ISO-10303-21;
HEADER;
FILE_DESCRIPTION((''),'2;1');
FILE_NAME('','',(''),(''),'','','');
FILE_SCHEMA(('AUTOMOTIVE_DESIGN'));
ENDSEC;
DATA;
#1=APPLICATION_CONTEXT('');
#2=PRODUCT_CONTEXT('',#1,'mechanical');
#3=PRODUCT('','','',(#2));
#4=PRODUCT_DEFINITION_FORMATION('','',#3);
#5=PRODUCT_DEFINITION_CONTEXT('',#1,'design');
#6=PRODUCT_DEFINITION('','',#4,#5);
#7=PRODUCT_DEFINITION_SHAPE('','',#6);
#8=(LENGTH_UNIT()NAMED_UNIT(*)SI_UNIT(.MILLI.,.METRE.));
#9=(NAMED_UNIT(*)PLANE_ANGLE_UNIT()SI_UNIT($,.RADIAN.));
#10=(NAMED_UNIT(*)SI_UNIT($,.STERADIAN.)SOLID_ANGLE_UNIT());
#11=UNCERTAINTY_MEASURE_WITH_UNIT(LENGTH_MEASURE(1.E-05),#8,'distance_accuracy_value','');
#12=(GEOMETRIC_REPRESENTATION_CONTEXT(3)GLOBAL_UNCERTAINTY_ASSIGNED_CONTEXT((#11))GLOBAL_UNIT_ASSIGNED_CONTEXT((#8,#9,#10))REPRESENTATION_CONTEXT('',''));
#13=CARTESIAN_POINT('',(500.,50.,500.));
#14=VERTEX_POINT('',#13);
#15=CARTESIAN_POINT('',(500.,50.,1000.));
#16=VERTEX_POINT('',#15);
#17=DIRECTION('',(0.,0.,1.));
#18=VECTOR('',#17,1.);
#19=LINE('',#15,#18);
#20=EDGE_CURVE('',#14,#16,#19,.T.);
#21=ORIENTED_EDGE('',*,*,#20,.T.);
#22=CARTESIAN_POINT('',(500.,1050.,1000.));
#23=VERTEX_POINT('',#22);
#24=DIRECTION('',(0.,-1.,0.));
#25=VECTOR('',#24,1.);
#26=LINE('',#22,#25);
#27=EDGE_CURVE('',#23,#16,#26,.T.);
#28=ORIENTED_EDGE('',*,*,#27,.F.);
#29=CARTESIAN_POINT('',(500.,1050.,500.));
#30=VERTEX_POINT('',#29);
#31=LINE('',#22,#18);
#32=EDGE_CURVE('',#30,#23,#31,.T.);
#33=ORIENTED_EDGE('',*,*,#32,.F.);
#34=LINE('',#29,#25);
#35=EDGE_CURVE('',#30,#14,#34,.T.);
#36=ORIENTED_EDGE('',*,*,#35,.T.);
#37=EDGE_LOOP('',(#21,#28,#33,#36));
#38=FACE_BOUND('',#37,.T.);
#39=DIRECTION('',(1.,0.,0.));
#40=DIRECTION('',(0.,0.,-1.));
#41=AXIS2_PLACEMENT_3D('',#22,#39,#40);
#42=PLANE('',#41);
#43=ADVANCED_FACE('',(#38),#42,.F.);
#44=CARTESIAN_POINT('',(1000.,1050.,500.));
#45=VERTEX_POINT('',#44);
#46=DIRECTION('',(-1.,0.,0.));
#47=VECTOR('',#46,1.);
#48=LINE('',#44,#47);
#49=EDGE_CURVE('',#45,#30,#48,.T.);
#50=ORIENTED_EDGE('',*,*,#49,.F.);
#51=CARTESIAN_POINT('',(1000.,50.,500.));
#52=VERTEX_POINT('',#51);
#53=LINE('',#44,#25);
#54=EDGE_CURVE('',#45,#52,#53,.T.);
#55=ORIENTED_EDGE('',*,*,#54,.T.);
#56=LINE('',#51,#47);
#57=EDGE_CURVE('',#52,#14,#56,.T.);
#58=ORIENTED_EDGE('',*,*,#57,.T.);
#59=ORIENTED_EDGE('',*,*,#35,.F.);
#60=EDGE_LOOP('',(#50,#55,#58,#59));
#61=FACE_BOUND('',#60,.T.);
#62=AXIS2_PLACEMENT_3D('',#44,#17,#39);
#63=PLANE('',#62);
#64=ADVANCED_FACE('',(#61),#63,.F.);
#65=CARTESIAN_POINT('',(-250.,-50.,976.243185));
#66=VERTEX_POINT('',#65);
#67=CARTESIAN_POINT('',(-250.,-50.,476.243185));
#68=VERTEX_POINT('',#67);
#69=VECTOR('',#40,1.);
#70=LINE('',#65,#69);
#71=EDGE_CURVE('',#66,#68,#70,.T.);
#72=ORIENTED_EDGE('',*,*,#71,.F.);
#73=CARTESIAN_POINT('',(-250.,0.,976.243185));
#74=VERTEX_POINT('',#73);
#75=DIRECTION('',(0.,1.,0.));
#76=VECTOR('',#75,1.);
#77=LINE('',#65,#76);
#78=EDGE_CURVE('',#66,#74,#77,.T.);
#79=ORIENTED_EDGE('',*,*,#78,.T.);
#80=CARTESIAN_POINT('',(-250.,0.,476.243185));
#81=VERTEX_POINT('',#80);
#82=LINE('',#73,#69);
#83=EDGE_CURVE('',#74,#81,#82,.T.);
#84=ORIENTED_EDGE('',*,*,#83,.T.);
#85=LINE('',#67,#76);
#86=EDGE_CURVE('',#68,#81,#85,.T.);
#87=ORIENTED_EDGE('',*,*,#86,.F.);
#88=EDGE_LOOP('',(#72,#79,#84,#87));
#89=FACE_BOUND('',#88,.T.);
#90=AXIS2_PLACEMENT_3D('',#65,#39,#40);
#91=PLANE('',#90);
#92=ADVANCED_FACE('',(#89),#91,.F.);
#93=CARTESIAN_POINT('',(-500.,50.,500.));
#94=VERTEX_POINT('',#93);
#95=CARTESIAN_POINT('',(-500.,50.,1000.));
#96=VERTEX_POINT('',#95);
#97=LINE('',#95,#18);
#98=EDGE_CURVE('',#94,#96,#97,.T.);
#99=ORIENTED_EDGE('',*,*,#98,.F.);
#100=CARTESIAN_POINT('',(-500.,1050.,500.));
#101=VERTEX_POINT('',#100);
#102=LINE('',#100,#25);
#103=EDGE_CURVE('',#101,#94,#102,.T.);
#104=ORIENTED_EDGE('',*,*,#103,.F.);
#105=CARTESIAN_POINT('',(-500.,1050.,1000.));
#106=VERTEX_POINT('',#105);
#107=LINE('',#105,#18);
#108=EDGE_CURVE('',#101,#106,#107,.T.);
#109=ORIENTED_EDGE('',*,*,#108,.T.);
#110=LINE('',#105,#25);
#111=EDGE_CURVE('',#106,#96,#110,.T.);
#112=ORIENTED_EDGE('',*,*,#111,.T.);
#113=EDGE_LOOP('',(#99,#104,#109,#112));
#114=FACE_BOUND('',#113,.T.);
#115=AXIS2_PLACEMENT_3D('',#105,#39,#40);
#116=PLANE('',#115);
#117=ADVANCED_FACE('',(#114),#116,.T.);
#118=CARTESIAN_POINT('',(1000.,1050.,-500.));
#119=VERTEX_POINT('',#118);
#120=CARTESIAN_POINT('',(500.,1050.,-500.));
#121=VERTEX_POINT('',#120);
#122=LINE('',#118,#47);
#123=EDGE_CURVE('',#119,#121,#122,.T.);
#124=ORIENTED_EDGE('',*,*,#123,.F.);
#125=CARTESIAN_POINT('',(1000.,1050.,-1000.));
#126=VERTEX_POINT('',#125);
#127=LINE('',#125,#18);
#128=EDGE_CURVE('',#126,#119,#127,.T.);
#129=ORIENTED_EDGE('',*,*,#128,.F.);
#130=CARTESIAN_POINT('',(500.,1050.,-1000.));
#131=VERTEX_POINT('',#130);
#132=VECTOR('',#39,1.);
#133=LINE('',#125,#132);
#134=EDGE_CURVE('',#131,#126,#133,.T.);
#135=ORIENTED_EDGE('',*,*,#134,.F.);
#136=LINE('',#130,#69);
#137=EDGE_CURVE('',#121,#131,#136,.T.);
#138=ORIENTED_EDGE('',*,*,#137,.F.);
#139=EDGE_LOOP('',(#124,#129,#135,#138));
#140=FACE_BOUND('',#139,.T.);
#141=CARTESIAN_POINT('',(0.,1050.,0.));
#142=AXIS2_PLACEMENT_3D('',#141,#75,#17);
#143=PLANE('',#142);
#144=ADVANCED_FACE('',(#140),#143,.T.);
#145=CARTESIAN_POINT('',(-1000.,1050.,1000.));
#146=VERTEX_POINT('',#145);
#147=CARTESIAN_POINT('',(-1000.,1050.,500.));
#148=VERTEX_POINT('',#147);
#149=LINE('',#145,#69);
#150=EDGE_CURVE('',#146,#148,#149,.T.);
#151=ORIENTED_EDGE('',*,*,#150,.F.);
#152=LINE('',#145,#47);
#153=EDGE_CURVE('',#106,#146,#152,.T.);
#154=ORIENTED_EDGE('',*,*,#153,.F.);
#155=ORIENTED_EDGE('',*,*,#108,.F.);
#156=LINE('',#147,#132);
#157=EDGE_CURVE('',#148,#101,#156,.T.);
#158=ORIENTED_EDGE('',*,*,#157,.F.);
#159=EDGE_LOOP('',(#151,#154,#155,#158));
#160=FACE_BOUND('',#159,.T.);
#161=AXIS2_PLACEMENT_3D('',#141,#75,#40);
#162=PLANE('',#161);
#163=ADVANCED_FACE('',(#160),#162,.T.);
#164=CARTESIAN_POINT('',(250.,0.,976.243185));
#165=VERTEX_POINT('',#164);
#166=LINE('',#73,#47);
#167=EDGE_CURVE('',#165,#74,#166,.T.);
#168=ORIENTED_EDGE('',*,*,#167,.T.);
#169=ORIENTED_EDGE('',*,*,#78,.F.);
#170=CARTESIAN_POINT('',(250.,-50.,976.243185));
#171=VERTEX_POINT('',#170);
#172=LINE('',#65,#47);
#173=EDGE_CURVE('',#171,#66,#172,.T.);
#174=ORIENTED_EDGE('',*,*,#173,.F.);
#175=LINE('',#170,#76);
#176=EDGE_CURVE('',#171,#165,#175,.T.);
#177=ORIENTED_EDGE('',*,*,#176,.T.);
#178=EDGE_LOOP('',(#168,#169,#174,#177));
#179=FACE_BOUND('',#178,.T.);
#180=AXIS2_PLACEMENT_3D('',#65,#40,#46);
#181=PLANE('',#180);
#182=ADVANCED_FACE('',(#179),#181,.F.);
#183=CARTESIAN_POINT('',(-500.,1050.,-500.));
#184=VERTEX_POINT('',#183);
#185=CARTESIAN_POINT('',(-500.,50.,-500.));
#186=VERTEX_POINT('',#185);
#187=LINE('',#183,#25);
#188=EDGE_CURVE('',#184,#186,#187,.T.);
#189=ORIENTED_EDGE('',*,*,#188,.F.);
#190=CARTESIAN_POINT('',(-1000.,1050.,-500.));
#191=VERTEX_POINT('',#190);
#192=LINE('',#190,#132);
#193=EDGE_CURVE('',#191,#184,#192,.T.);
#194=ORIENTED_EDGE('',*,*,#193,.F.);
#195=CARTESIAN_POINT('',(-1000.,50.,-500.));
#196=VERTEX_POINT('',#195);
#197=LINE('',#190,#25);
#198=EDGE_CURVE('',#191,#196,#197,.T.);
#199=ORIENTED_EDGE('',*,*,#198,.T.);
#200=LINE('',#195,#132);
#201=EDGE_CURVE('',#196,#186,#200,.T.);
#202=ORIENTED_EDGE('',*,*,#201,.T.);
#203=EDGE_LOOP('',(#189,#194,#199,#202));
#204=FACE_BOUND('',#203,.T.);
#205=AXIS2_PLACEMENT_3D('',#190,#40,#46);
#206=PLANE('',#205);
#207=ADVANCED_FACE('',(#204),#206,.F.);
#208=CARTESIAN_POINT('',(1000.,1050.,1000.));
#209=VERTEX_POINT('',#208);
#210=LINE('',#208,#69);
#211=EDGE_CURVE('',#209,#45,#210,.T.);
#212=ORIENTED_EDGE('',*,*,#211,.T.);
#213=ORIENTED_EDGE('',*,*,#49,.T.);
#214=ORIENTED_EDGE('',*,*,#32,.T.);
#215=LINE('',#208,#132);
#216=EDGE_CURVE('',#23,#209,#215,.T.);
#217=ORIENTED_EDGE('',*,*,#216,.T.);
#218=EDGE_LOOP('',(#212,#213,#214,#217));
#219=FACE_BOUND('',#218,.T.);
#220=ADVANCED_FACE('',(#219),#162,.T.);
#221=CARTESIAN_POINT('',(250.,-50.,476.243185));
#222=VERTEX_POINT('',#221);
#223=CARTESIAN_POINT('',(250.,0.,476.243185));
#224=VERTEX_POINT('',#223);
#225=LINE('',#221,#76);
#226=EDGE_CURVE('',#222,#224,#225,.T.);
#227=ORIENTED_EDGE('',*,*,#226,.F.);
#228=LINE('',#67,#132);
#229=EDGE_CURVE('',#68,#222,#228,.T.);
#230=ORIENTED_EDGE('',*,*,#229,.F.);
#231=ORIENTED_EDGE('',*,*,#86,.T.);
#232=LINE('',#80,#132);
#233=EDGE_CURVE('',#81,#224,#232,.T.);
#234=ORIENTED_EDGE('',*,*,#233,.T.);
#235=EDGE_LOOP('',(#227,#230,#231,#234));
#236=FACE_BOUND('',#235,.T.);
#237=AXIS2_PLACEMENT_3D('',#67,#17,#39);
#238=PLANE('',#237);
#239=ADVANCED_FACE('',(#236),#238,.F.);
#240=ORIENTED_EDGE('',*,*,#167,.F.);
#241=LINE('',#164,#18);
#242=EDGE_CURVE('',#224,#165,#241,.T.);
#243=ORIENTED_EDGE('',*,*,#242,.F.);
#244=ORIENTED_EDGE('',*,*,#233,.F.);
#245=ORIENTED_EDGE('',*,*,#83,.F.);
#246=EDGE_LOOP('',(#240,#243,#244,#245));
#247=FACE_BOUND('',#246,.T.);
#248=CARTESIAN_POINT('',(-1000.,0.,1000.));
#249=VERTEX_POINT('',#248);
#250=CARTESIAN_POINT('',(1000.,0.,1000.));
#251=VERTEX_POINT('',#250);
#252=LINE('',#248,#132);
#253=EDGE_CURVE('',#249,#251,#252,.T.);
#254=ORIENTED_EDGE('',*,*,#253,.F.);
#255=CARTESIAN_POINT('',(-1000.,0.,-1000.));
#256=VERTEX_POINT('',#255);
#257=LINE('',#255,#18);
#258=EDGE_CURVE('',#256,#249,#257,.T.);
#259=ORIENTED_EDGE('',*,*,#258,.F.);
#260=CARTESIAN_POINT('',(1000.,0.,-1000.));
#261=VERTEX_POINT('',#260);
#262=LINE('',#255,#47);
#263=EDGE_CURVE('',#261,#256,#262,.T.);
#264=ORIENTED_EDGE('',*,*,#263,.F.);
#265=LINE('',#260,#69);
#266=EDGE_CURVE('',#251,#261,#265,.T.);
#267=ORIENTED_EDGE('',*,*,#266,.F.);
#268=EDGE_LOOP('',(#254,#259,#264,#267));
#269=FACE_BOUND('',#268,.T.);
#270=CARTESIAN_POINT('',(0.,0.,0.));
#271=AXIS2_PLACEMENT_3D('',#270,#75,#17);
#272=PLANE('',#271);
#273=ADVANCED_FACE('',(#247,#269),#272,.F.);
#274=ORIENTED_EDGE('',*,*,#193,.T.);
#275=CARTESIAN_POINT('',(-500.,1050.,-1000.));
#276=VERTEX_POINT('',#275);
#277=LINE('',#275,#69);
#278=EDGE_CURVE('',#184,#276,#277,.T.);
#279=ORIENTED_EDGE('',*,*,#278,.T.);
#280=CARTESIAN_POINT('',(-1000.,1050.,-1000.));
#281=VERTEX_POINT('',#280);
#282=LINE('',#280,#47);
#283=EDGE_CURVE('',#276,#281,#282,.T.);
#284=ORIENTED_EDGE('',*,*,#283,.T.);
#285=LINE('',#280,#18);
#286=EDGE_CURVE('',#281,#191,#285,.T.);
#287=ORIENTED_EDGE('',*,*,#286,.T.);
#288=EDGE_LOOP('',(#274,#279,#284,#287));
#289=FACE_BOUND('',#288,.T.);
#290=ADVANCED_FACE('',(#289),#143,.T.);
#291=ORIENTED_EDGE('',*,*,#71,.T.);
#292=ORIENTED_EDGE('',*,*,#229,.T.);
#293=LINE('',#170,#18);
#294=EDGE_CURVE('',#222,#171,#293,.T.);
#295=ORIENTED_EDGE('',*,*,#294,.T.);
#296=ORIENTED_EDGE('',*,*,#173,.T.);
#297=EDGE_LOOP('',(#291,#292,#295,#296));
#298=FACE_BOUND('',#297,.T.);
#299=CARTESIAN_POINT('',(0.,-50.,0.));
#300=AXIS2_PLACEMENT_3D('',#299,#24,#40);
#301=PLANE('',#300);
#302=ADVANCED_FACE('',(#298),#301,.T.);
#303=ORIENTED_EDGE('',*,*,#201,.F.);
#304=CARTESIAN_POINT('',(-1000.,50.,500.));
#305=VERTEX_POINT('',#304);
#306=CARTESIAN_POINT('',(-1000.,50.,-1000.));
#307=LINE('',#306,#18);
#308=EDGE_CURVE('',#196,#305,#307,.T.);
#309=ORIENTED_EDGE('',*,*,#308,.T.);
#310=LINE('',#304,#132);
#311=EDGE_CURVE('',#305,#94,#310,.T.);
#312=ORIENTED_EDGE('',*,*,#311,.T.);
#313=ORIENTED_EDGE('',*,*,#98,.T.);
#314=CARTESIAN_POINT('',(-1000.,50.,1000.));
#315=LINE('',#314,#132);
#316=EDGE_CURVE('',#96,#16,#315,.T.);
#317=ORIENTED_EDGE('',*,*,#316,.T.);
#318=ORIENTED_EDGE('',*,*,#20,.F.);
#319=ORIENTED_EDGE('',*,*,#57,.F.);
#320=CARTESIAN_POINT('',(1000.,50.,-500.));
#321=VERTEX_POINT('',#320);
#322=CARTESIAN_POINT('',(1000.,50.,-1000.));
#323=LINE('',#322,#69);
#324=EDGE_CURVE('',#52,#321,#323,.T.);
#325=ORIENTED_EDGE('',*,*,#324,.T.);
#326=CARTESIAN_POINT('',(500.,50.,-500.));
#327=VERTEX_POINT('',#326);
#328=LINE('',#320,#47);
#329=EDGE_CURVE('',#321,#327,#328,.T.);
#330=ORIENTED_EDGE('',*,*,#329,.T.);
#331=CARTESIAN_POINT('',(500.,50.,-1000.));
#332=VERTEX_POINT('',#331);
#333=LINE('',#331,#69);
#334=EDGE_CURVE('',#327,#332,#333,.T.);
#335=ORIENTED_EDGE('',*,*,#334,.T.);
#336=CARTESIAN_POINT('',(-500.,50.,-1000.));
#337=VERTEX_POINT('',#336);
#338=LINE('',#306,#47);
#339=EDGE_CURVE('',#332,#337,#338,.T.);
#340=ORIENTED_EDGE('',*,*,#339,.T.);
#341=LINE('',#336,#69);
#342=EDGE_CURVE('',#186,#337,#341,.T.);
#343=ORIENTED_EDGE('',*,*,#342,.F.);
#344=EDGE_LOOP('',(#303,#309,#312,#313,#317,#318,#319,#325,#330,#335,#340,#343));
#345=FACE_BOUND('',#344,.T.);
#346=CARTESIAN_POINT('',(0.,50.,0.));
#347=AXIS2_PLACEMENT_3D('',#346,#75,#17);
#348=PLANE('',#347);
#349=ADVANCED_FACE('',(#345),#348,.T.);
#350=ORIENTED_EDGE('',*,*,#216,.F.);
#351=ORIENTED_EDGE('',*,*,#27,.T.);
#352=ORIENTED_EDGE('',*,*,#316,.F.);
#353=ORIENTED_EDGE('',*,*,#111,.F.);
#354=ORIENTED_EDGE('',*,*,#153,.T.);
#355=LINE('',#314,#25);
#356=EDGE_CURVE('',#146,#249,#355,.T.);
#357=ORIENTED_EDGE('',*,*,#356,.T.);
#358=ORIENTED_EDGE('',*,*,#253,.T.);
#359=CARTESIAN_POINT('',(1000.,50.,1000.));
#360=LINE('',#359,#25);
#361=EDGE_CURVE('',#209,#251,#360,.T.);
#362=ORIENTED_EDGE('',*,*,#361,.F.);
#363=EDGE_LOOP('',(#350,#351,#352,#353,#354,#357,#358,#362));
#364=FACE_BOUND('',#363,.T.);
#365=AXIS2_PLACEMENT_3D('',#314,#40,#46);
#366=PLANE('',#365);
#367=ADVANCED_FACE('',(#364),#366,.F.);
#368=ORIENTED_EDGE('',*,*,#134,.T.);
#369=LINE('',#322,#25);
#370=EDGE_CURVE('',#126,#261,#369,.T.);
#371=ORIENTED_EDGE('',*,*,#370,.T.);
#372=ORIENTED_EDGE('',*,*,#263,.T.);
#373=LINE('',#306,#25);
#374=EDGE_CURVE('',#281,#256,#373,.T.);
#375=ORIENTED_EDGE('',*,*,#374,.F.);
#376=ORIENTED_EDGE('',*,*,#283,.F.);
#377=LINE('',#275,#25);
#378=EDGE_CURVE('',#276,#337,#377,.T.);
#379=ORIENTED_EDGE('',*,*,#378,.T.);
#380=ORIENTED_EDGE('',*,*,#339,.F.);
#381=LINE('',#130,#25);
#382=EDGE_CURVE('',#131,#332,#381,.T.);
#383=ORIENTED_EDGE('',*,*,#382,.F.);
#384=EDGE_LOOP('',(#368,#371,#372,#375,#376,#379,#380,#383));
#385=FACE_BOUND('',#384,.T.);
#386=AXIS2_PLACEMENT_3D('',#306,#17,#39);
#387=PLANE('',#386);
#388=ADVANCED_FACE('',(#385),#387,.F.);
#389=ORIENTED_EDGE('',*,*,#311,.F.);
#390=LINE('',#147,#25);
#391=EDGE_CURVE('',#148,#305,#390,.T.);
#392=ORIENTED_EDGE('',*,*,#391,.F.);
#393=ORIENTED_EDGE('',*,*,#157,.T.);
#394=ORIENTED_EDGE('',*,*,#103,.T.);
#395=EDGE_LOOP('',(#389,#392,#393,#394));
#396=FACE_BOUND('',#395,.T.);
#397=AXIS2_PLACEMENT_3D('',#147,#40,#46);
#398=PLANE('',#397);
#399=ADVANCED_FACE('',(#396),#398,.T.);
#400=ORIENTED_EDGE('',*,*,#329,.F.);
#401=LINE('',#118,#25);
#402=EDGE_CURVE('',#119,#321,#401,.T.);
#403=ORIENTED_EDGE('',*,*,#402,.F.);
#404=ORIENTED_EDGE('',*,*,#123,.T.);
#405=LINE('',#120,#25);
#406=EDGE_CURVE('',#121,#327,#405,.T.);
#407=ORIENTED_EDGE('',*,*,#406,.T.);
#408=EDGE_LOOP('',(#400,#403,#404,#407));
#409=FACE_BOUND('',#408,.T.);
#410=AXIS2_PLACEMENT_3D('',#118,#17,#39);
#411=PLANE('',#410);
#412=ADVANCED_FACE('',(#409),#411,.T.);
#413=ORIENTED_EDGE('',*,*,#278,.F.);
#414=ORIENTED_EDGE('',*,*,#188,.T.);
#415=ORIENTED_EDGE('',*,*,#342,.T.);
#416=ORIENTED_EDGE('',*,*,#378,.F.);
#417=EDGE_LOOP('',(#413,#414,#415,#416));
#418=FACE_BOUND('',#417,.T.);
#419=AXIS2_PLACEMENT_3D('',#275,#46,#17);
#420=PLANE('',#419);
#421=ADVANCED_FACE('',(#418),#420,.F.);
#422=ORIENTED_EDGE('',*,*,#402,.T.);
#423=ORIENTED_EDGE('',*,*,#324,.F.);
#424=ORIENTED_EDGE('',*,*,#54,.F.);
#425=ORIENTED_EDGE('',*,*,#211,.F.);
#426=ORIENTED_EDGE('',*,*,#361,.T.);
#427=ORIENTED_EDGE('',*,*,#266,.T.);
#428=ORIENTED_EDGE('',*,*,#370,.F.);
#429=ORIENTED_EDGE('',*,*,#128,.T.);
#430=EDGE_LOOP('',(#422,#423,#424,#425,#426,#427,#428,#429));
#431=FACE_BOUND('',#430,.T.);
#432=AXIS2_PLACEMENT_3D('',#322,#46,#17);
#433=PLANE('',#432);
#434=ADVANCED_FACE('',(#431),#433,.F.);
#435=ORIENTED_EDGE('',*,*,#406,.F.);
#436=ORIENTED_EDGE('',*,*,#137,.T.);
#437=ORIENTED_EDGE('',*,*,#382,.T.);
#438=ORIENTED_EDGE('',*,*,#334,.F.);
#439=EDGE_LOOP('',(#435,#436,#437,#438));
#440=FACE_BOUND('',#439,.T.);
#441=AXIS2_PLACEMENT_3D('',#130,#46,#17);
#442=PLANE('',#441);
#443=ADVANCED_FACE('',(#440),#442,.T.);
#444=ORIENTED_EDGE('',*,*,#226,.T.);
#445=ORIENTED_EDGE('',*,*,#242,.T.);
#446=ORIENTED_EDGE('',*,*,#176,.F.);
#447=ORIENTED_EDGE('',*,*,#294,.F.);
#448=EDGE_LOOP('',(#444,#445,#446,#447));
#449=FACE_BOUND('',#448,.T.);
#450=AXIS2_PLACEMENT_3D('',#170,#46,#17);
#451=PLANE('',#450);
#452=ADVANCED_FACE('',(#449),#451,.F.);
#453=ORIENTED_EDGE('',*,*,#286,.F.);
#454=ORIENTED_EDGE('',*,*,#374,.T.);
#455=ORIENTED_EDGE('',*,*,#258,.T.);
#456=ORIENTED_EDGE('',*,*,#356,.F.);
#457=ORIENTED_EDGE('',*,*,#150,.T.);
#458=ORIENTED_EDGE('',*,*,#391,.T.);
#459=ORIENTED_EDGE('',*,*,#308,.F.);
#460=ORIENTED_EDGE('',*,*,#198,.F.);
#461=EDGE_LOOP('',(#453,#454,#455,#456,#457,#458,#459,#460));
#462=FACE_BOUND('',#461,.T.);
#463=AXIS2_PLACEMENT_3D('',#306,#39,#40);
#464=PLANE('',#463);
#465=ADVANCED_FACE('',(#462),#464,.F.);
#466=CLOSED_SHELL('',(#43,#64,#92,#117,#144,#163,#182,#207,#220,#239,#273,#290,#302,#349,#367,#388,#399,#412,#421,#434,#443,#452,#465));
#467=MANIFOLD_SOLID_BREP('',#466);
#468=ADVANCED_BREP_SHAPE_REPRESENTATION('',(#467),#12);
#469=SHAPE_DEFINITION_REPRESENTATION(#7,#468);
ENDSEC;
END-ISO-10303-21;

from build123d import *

# Parameters (mm, degrees)
SKETCH1_W                                  = 2000
SKETCH1_H                                  = 2000
BOSS_EXTRUDE1_DEPTH                        = 50
SKETCH2_W                                  = 500
SKETCH2_H                                  = 500
BOSS_EXTRUDE2_DEPTH                        = 1000
MIRROR2_AT_THE_SECOND_PLANE_COPY_1_SKETC_W = 500
MIRROR2_AT_THE_SECOND_PLANE_COPY_1_SKETC_H = 500
MIRROR2_AT_THE_SECOND_PLANE_COPY_1_DEPTH   = 1000
SKETCH4_W                                  = 500
SKETCH4_H                                  = 500
BOSS_EXTRUDE4_DEPTH                        = 50


with BuildPart() as part:
    # Sketch1 → Boss-Extrude1 (new body)
    with BuildSketch(Plane(origin=(0, 0, 0), x_dir=(1, 0, 0), z_dir=(0, 1, 0))):
        Rectangle(SKETCH1_W, SKETCH1_H)
    extrude(amount=BOSS_EXTRUDE1_DEPTH)

    # Sketch2 → Boss-Extrude2 (add)
    with BuildSketch(Plane(origin=(0, 50, 0), x_dir=(1, 0, 0), z_dir=(0, 1, 0))):
        with Locations((-750, 750)):
            Rectangle(SKETCH2_W, SKETCH2_H)
    boss_extrude2 = extrude(amount=BOSS_EXTRUDE2_DEPTH)

    # Mirror1: Boss-Extrude2 across plane
    add(boss_extrude2.mirror(Plane.XY))

    # Mirror2: Boss-Extrude2 across plane
    add(boss_extrude2.mirror(Plane.XY))

    # Mirror2 at the second plane: Boss-Extrude2 across plane
    add(boss_extrude2.mirror(Plane(origin=(0, 0, 0), x_dir=(0, 0, 1), z_dir=(1, 0, 0))))

    # Mirror2 at the second plane copy 1 sketc → Mirror2 at the second plane copy 1 (add)
    with BuildSketch(Plane(origin=(0, 50, 0), x_dir=(-1, 0, 0), z_dir=(0, 1, 0))):
        with Locations((-750, 750)):
            Rectangle(MIRROR2_AT_THE_SECOND_PLANE_COPY_1_SKETC_W, MIRROR2_AT_THE_SECOND_PLANE_COPY_1_SKETC_H)
    extrude(amount=MIRROR2_AT_THE_SECOND_PLANE_COPY_1_DEPTH)

    # Sketch4 → Boss-Extrude4 (add)
    with BuildSketch(Plane.XZ):
        with Locations((0, 726.243185446)):
            Rectangle(SKETCH4_W, SKETCH4_H)
    extrude(amount=BOSS_EXTRUDE4_DEPTH)


solid = part.part
